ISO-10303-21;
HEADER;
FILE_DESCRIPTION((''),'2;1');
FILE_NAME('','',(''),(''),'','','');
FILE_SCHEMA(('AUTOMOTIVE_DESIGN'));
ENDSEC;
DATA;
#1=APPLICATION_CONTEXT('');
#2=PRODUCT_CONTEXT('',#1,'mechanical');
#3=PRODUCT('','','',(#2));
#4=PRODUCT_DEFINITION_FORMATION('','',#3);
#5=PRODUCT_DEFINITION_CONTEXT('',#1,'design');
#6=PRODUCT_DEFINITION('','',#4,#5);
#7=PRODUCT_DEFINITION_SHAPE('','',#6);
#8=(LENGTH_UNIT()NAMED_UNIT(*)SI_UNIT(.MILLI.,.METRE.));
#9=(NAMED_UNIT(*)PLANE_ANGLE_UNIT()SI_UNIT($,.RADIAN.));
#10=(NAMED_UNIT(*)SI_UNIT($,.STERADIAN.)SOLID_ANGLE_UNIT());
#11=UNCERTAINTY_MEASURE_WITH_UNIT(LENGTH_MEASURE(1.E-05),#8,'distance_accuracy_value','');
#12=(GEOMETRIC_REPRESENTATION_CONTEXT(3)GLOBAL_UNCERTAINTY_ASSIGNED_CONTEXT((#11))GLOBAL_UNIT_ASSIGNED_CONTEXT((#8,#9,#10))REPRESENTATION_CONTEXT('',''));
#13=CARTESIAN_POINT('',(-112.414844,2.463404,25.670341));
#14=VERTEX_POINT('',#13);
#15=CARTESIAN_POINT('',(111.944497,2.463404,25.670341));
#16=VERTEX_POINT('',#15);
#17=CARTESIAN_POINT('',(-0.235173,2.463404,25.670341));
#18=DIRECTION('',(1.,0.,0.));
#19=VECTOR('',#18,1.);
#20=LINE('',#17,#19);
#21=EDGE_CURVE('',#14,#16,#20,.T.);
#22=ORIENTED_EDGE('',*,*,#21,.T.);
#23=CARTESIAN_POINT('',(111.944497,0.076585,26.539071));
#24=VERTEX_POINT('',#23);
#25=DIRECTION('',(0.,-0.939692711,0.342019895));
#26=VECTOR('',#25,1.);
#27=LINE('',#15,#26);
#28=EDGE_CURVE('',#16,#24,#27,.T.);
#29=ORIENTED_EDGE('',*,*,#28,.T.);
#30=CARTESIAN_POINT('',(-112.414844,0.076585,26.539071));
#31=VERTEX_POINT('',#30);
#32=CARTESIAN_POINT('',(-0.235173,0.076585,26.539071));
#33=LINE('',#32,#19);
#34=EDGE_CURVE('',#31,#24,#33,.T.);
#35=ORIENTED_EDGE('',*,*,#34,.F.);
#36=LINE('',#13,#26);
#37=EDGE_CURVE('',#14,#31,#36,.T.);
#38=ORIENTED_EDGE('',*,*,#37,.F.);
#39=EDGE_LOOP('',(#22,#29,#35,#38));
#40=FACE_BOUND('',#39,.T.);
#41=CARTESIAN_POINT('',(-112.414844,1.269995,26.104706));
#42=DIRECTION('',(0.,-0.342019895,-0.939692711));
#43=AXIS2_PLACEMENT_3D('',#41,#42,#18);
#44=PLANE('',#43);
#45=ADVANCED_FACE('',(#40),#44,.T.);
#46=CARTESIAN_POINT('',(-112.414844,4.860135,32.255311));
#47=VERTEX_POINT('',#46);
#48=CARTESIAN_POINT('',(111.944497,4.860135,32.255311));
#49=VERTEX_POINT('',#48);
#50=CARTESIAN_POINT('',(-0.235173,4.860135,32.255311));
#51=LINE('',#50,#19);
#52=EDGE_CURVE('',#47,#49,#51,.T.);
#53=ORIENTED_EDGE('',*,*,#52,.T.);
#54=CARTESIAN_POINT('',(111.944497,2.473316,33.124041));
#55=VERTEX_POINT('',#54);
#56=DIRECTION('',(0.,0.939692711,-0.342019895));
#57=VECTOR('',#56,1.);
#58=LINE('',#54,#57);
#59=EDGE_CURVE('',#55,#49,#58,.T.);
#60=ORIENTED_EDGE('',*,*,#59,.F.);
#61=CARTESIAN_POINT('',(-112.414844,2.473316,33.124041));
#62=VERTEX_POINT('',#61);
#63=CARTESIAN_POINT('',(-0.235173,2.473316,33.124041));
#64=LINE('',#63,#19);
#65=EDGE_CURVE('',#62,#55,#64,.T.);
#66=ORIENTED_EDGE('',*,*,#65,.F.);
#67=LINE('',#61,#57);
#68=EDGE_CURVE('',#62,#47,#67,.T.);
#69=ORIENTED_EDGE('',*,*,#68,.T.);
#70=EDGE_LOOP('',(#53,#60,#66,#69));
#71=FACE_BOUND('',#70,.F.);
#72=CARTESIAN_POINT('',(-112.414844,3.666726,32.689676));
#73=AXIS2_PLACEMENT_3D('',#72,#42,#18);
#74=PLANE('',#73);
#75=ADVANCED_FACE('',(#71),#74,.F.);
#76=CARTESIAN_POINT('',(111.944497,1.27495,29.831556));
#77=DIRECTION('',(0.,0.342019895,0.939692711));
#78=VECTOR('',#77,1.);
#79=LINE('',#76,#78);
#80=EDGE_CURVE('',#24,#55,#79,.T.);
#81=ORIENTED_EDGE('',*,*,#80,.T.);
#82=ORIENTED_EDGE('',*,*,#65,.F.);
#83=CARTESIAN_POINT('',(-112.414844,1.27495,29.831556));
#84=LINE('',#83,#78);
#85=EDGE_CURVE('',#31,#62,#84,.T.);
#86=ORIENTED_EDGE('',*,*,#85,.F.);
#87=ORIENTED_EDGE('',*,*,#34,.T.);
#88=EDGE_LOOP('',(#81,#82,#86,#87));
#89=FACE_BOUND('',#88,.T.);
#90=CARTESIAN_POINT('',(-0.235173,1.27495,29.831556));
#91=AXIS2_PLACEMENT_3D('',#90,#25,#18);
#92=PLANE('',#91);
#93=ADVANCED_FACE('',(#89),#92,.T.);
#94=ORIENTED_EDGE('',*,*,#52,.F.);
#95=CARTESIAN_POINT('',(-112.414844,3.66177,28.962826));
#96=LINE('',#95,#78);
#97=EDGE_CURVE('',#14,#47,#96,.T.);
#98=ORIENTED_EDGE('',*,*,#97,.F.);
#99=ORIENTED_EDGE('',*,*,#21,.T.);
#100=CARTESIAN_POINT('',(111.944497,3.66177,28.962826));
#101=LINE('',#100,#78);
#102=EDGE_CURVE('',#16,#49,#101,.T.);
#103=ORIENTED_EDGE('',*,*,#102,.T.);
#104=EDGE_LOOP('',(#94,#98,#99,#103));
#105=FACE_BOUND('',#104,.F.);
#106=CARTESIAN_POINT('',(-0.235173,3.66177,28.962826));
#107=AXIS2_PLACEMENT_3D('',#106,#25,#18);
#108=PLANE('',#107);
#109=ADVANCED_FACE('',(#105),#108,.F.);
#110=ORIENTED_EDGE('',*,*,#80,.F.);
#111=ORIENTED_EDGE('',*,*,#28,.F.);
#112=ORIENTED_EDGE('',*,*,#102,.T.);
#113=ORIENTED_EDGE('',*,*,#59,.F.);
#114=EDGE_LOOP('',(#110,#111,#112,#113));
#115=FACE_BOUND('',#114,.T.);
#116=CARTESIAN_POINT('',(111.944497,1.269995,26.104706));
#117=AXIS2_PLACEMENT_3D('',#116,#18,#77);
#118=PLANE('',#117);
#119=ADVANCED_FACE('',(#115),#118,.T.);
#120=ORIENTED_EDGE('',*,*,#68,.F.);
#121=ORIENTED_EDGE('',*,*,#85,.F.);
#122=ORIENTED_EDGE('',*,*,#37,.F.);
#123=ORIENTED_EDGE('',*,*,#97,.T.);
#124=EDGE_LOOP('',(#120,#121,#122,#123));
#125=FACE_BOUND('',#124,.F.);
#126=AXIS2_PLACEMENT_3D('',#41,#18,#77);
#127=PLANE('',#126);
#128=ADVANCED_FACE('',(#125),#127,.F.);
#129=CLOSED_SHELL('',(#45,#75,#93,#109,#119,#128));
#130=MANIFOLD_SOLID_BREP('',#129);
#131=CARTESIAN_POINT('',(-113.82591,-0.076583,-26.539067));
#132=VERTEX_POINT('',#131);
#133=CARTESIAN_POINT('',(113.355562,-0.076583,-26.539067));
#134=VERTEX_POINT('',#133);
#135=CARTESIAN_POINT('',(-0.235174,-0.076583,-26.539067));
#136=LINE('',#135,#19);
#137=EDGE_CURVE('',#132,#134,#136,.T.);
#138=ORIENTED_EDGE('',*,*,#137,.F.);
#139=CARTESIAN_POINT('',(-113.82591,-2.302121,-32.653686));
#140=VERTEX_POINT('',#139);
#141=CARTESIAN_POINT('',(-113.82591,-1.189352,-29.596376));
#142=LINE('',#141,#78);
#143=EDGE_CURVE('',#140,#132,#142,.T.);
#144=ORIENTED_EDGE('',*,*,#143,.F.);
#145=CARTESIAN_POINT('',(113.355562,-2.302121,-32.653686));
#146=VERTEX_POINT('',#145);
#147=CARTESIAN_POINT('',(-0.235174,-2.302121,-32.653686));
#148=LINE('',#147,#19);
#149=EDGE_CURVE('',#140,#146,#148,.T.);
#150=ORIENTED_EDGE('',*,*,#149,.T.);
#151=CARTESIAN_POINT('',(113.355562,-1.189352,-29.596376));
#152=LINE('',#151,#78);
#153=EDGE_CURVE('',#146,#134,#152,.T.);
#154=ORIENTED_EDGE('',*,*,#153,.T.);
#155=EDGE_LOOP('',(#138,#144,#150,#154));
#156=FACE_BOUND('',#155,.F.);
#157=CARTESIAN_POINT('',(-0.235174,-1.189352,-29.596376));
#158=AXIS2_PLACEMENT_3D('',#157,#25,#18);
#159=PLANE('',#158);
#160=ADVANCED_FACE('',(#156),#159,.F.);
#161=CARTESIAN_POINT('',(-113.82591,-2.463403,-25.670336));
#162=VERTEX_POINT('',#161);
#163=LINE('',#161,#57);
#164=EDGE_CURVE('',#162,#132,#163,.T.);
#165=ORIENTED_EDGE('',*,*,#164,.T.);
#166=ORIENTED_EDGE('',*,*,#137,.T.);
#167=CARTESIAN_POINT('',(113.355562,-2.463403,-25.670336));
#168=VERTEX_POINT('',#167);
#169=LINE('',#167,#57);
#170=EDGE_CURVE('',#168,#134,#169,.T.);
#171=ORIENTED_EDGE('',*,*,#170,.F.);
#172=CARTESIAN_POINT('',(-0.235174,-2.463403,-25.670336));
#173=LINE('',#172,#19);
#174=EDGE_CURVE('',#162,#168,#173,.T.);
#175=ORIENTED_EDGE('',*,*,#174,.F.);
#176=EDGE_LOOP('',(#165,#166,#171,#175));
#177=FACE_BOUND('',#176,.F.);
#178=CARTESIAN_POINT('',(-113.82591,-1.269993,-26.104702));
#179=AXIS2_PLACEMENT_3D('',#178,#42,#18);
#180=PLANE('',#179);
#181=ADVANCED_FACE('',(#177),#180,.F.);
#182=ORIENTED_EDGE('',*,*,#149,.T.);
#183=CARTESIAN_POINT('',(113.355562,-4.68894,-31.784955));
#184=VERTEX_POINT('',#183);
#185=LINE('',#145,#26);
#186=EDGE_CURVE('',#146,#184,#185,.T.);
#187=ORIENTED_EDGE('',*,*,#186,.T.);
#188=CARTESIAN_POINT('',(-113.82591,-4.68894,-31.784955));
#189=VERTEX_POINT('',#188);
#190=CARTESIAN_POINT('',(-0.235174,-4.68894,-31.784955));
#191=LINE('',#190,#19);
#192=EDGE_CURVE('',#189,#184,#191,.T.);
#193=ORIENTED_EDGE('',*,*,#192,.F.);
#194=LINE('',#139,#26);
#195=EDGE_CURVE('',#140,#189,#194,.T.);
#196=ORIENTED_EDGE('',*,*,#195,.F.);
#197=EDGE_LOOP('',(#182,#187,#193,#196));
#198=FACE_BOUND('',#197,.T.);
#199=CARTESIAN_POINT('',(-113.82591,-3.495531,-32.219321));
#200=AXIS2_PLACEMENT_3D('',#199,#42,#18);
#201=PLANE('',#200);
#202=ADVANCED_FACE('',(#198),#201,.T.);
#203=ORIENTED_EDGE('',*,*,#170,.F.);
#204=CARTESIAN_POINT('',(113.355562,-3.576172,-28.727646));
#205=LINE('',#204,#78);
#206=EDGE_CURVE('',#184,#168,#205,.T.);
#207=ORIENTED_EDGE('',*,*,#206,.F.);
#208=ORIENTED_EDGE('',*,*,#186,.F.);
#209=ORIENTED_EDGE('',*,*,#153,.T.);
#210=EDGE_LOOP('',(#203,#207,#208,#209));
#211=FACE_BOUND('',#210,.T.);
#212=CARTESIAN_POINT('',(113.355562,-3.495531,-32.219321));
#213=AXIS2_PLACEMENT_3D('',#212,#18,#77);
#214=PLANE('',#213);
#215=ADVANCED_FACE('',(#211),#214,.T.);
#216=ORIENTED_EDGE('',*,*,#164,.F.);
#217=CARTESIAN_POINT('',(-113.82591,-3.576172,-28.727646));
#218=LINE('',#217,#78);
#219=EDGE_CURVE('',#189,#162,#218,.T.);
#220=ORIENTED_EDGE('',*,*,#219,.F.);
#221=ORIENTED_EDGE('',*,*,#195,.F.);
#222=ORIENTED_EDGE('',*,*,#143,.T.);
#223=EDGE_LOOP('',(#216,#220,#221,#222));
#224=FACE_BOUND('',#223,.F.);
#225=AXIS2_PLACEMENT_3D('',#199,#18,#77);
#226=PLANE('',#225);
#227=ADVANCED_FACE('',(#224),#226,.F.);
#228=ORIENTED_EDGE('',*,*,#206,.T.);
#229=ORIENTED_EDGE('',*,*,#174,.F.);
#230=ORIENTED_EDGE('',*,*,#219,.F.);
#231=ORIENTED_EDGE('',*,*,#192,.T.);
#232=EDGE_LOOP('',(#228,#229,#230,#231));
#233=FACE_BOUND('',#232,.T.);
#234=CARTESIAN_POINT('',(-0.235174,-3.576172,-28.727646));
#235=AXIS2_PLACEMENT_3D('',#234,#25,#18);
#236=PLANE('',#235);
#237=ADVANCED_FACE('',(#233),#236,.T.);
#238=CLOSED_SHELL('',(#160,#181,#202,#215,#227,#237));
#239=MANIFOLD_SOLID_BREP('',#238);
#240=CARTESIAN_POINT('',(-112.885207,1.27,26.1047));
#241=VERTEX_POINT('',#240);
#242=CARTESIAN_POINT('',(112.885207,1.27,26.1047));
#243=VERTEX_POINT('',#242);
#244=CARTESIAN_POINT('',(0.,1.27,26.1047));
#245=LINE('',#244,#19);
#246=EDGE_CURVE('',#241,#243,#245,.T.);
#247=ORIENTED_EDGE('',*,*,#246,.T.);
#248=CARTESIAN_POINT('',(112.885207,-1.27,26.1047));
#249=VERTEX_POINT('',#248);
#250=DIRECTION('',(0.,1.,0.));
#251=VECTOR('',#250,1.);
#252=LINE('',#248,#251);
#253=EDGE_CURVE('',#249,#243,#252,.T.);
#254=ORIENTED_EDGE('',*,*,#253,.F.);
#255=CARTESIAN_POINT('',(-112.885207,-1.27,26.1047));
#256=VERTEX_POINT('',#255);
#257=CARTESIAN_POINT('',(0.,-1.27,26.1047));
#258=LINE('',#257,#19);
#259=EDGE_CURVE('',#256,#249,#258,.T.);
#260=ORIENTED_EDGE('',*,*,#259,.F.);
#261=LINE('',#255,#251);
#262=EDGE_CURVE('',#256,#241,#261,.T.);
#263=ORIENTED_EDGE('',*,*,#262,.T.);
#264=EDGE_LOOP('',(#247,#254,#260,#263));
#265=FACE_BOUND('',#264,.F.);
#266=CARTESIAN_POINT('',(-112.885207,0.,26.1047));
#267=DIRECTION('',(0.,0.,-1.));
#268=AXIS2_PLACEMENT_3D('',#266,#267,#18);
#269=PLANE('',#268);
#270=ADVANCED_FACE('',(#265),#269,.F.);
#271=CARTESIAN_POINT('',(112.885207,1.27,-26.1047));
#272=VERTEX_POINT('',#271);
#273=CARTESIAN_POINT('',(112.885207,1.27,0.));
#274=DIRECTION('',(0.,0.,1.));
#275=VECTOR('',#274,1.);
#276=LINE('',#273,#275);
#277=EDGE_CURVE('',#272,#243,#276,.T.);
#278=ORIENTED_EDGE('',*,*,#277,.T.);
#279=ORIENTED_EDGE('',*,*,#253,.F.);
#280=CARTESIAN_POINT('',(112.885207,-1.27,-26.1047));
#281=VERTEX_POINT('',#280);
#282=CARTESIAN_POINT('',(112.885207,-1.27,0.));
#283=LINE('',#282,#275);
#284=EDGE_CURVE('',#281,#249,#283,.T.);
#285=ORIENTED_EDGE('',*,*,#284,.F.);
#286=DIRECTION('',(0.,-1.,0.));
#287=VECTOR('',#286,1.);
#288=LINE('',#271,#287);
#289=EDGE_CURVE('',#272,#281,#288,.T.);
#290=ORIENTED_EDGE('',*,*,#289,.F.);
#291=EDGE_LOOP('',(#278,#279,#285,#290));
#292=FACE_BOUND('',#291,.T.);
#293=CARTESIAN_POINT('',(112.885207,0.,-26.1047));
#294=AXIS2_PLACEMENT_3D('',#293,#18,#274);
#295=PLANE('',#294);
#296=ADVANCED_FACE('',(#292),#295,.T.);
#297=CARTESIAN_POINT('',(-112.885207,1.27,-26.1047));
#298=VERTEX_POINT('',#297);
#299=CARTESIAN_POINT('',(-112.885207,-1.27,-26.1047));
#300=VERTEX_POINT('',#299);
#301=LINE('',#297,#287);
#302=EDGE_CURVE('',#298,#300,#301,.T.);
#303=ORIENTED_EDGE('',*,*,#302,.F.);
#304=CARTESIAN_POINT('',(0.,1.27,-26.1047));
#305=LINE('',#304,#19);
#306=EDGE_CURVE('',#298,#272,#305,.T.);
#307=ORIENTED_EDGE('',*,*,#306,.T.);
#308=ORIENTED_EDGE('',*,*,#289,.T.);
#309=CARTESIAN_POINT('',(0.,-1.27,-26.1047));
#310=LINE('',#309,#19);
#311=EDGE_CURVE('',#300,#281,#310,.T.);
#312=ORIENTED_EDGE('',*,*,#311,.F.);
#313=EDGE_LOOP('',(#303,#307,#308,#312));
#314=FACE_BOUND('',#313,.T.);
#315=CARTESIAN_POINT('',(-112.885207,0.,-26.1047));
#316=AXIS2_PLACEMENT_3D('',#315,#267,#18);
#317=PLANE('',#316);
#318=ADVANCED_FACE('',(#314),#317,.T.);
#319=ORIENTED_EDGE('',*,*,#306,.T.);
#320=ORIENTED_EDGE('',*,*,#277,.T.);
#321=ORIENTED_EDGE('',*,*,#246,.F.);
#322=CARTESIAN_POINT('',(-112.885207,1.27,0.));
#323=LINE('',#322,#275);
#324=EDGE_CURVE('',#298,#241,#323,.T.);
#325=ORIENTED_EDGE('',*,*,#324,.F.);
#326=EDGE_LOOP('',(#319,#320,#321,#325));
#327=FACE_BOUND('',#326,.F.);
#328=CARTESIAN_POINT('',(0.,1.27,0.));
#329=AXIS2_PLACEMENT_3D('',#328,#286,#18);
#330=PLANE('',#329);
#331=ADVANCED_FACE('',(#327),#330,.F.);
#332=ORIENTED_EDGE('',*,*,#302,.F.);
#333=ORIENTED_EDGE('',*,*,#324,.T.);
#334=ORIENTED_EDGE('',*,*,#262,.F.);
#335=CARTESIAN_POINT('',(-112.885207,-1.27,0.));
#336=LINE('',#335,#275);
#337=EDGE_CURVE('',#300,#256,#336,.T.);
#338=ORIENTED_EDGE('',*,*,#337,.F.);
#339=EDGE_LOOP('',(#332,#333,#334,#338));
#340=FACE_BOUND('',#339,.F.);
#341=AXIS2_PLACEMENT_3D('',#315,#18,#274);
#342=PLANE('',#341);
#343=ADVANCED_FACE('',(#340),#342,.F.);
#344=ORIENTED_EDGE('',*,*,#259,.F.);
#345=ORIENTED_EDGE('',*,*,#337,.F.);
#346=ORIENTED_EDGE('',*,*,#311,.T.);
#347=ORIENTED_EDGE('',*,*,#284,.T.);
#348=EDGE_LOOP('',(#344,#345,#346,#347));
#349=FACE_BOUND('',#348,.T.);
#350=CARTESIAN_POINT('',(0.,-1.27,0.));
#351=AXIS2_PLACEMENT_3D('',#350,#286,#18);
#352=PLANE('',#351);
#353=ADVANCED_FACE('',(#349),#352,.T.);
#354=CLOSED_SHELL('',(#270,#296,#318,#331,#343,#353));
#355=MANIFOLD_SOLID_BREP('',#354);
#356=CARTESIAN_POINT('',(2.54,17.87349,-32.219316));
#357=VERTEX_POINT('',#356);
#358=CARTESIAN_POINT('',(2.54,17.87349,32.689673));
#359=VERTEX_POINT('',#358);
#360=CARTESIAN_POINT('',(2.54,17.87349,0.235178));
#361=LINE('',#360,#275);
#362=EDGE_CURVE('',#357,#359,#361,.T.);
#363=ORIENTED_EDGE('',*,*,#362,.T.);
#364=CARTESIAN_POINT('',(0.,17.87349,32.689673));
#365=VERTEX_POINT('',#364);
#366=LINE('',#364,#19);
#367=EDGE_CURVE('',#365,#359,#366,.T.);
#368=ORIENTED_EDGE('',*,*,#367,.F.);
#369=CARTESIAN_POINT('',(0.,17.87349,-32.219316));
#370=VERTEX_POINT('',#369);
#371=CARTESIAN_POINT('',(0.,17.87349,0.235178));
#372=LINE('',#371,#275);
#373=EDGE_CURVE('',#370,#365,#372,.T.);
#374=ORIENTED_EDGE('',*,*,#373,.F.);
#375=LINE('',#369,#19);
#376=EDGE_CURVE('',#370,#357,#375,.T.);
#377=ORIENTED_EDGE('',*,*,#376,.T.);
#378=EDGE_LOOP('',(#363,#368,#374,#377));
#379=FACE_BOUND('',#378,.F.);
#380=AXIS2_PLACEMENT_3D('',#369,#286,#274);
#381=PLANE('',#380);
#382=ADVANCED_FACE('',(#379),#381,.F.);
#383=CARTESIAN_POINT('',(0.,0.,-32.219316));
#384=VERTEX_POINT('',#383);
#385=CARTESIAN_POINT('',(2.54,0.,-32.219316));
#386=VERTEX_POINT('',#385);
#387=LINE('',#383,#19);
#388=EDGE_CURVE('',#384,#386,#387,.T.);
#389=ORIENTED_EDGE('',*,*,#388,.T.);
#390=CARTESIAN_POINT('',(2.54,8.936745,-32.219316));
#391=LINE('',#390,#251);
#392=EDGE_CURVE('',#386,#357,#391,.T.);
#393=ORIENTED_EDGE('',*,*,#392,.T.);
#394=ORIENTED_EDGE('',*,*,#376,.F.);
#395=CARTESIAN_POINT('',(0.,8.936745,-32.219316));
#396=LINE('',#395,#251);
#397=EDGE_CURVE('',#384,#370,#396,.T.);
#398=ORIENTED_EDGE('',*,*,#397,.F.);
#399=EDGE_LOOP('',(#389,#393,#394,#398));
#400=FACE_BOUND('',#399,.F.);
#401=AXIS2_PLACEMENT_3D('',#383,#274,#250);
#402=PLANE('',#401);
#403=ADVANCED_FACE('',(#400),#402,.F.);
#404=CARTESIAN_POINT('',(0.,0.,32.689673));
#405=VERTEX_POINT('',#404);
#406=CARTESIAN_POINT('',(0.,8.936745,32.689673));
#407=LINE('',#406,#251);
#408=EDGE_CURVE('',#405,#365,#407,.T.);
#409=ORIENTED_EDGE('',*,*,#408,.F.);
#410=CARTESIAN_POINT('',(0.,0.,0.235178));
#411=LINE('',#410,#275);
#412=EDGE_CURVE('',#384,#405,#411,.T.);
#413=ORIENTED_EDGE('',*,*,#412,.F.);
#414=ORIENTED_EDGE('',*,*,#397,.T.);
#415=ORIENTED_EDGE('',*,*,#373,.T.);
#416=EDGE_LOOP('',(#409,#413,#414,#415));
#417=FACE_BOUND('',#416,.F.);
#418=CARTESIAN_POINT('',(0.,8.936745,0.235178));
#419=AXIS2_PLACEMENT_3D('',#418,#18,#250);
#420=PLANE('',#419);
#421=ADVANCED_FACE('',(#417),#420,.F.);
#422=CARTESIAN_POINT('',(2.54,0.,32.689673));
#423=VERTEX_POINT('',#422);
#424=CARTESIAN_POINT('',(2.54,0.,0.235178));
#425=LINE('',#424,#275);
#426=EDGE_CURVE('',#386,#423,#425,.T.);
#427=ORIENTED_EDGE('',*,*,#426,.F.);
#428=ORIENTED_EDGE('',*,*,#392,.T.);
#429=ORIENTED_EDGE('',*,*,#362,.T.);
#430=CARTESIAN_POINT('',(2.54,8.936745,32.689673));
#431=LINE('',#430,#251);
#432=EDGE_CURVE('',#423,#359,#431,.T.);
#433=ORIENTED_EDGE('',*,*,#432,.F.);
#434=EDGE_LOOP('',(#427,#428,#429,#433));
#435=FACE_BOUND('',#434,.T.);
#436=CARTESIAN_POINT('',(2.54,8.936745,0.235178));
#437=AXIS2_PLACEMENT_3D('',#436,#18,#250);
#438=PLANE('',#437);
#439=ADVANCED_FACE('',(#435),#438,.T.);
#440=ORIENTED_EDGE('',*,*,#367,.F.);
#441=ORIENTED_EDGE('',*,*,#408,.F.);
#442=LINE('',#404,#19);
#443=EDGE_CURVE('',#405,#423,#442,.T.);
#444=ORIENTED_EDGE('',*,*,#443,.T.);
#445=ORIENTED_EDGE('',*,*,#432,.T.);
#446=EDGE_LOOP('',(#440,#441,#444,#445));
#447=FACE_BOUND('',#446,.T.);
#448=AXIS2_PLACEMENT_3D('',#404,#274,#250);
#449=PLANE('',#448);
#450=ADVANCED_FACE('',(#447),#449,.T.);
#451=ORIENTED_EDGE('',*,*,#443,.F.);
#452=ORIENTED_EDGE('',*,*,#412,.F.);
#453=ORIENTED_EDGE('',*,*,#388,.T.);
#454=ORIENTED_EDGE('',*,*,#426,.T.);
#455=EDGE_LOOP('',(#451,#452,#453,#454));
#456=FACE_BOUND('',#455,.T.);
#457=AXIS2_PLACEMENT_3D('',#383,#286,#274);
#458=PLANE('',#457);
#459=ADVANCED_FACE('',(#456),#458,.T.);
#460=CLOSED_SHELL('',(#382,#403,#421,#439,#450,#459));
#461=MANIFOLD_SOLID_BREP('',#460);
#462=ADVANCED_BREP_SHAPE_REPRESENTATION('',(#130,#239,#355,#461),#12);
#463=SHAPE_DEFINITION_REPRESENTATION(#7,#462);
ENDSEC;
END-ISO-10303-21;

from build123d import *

# Parameters (mm, degrees)
F0_W     = 225.770414
F0_H     = 52.2094
F1_DEPTH = 1.27
F3_W     = 224.359341
F3_H     = 7.007578
F4_DEPTH = 1.27
F6_W     = 227.181472
F6_H     = 6.507041
F7_DEPTH = 1.27
F8_W     = 17.87349
F8_H     = 64.908989
F9_DEPTH = 2.54


with BuildPart() as f1:
    # F0 (on Front) → F1 (new body, symmetric)
    with BuildSketch(Plane.XZ):
        Rectangle(F0_W, F0_H)
    extrude(amount=F1_DEPTH, both=True)


with BuildPart() as f4:
    # F3 (on face) → F4 (new body, symmetric)
    with BuildSketch(Plane(origin=(0, -7.268451, 2.6455), x_dir=(1, 0, 0), z_dir=(0, -0.939693, 0.34202))):
        with Locations((-0.235173, 28.468552)):
            Rectangle(F3_W, F3_H)
    extrude(amount=F4_DEPTH, both=True)


with BuildPart() as f7:
    # F6 (on face) → F7 (new body, symmetric)
    with BuildSketch(Plane(origin=(0, 7.268451, -2.6455), x_dir=(1, 0, 0), z_dir=(0, -0.939693, 0.34202))):
        with Locations((-0.235174, -28.218279)):
            Rectangle(F6_W, F6_H)
    extrude(amount=F7_DEPTH, both=True)


with BuildPart() as f9:
    # F8 (on Right) → F9 (new body)
    with BuildSketch(Plane.YZ):
        with Locations((8.936745, 0.235178)):
            Rectangle(F8_W, F8_H)
    extrude(amount=F9_DEPTH)


solid = Compound([f1.part, f4.part, f7.part, f9.part])
